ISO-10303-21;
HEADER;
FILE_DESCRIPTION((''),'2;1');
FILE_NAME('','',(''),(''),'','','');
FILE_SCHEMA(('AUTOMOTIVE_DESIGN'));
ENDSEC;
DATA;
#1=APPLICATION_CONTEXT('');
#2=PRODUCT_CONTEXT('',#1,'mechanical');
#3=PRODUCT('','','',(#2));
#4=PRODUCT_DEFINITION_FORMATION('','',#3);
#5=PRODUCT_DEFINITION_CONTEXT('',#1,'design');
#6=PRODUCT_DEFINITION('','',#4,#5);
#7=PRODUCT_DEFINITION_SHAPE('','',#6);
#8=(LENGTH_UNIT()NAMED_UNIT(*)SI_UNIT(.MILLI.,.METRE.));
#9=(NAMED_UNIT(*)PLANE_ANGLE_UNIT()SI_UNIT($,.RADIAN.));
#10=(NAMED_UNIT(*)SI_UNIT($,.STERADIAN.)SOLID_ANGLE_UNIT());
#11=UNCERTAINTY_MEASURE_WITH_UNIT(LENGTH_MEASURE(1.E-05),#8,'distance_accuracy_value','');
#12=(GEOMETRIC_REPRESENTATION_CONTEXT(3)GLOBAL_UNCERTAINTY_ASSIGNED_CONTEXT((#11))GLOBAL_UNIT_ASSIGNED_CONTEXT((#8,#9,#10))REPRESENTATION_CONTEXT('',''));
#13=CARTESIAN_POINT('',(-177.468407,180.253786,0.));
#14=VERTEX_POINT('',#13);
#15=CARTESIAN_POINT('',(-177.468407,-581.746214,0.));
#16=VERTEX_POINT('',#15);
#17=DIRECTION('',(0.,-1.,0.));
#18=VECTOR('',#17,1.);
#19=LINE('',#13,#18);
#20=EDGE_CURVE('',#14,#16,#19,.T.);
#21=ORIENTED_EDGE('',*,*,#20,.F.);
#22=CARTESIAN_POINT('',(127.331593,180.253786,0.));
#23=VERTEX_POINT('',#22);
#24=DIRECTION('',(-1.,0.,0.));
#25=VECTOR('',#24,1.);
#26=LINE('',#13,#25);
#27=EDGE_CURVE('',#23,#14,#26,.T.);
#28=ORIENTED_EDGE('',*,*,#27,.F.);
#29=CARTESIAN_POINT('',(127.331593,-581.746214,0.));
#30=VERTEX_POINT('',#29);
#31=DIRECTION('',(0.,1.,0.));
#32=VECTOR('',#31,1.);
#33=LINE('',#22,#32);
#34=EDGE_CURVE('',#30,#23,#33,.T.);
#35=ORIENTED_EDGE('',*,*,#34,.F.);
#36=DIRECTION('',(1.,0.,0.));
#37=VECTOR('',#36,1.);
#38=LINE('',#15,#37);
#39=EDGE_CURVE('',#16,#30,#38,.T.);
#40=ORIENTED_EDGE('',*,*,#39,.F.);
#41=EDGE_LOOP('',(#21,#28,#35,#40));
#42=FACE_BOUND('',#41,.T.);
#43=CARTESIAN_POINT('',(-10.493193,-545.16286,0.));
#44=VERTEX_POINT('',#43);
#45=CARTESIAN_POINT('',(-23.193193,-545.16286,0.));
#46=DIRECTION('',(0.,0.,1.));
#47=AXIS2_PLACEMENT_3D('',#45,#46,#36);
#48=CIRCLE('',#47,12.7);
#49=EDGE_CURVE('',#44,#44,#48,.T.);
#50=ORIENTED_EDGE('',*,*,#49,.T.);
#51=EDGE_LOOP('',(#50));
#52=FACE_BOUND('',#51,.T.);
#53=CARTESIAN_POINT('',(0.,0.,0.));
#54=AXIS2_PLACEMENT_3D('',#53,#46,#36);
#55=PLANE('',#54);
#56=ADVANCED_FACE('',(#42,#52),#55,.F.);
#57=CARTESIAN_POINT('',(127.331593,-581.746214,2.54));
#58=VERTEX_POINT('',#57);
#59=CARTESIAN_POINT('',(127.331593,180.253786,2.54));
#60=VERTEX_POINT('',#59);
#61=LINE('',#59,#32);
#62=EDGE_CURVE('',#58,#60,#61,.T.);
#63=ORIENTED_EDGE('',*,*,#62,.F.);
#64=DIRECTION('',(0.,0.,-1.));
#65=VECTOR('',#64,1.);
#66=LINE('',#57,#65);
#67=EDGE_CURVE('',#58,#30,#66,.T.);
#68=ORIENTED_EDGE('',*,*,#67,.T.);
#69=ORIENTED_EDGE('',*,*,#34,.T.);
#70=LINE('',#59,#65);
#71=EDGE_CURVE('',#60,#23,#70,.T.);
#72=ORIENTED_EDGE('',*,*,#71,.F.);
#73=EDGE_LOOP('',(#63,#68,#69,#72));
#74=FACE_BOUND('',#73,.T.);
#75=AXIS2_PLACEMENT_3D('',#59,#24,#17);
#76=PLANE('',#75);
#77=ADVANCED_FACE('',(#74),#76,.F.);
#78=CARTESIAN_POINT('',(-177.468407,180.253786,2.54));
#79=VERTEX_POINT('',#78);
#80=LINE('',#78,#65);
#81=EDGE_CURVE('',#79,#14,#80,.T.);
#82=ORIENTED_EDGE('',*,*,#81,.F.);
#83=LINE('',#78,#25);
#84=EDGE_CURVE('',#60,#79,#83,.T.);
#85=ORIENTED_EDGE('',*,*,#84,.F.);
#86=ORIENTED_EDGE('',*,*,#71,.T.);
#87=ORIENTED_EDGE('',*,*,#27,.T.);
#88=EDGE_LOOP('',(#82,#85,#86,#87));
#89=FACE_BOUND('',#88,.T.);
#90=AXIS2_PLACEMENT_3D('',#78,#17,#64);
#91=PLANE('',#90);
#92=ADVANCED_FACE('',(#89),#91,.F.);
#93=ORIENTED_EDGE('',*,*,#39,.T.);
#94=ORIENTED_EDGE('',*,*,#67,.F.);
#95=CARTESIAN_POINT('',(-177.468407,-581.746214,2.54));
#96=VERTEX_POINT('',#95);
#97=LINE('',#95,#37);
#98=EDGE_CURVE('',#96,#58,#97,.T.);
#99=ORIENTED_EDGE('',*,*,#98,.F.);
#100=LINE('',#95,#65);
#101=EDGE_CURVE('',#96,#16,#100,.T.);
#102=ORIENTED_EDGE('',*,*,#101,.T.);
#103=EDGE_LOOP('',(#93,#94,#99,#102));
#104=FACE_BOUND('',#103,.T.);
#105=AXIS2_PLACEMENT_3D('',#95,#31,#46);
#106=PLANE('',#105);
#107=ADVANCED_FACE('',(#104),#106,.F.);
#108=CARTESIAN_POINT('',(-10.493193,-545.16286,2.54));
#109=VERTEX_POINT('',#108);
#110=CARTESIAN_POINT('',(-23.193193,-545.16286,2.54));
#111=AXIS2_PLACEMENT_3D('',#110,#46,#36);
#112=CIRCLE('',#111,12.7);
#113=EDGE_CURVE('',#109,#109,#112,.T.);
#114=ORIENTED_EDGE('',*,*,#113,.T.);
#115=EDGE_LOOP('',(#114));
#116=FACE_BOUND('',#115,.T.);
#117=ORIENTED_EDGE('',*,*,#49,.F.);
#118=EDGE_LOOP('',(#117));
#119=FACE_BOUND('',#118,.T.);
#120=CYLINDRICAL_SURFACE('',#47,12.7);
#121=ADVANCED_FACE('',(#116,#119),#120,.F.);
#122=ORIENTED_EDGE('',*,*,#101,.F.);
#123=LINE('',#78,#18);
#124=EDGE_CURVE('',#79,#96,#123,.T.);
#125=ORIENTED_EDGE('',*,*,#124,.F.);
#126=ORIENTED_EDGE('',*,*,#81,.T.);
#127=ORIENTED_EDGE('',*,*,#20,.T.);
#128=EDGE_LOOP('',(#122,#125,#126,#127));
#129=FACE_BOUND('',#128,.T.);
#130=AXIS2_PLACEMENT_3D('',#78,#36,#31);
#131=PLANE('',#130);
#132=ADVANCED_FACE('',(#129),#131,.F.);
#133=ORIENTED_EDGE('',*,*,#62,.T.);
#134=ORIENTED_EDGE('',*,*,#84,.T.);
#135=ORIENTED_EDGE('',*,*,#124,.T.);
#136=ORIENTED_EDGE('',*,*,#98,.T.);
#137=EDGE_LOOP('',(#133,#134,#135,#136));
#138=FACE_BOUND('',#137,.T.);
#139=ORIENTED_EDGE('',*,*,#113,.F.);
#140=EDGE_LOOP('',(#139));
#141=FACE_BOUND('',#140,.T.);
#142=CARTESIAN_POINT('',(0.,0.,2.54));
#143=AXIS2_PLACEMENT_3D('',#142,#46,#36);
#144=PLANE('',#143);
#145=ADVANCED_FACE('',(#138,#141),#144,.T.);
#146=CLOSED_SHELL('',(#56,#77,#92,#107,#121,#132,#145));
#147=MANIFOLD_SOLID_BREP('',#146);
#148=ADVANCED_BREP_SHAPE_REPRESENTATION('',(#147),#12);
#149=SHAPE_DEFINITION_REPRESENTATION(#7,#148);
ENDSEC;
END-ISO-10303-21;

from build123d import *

# Parameters (mm, degrees)
SKETCH1_W           = 304.8
SKETCH1_H           = 762
BOSS_EXTRUDE1_DEPTH = 2.54
SKETCH2_R           = 12.7
CUT_EXTRUDE1_DEPTH  = 3.54


with BuildPart() as part:
    # Sketch1 → Boss-Extrude1 (new body)
    with BuildSketch(Plane.XY):
        with Locations((-25.068407311, -200.746214099)):
            Rectangle(SKETCH1_W, SKETCH1_H)
    extrude(amount=BOSS_EXTRUDE1_DEPTH)

    # Sketch2 → Cut-Extrude1 (cut, through all)
    with BuildSketch(Plane.XY.offset(2.54)):
        with Locations((-23.193193231, -545.162860091)):
            Circle(SKETCH2_R)
    extrude(amount=-CUT_EXTRUDE1_DEPTH, mode=Mode.SUBTRACT)


solid = part.part
